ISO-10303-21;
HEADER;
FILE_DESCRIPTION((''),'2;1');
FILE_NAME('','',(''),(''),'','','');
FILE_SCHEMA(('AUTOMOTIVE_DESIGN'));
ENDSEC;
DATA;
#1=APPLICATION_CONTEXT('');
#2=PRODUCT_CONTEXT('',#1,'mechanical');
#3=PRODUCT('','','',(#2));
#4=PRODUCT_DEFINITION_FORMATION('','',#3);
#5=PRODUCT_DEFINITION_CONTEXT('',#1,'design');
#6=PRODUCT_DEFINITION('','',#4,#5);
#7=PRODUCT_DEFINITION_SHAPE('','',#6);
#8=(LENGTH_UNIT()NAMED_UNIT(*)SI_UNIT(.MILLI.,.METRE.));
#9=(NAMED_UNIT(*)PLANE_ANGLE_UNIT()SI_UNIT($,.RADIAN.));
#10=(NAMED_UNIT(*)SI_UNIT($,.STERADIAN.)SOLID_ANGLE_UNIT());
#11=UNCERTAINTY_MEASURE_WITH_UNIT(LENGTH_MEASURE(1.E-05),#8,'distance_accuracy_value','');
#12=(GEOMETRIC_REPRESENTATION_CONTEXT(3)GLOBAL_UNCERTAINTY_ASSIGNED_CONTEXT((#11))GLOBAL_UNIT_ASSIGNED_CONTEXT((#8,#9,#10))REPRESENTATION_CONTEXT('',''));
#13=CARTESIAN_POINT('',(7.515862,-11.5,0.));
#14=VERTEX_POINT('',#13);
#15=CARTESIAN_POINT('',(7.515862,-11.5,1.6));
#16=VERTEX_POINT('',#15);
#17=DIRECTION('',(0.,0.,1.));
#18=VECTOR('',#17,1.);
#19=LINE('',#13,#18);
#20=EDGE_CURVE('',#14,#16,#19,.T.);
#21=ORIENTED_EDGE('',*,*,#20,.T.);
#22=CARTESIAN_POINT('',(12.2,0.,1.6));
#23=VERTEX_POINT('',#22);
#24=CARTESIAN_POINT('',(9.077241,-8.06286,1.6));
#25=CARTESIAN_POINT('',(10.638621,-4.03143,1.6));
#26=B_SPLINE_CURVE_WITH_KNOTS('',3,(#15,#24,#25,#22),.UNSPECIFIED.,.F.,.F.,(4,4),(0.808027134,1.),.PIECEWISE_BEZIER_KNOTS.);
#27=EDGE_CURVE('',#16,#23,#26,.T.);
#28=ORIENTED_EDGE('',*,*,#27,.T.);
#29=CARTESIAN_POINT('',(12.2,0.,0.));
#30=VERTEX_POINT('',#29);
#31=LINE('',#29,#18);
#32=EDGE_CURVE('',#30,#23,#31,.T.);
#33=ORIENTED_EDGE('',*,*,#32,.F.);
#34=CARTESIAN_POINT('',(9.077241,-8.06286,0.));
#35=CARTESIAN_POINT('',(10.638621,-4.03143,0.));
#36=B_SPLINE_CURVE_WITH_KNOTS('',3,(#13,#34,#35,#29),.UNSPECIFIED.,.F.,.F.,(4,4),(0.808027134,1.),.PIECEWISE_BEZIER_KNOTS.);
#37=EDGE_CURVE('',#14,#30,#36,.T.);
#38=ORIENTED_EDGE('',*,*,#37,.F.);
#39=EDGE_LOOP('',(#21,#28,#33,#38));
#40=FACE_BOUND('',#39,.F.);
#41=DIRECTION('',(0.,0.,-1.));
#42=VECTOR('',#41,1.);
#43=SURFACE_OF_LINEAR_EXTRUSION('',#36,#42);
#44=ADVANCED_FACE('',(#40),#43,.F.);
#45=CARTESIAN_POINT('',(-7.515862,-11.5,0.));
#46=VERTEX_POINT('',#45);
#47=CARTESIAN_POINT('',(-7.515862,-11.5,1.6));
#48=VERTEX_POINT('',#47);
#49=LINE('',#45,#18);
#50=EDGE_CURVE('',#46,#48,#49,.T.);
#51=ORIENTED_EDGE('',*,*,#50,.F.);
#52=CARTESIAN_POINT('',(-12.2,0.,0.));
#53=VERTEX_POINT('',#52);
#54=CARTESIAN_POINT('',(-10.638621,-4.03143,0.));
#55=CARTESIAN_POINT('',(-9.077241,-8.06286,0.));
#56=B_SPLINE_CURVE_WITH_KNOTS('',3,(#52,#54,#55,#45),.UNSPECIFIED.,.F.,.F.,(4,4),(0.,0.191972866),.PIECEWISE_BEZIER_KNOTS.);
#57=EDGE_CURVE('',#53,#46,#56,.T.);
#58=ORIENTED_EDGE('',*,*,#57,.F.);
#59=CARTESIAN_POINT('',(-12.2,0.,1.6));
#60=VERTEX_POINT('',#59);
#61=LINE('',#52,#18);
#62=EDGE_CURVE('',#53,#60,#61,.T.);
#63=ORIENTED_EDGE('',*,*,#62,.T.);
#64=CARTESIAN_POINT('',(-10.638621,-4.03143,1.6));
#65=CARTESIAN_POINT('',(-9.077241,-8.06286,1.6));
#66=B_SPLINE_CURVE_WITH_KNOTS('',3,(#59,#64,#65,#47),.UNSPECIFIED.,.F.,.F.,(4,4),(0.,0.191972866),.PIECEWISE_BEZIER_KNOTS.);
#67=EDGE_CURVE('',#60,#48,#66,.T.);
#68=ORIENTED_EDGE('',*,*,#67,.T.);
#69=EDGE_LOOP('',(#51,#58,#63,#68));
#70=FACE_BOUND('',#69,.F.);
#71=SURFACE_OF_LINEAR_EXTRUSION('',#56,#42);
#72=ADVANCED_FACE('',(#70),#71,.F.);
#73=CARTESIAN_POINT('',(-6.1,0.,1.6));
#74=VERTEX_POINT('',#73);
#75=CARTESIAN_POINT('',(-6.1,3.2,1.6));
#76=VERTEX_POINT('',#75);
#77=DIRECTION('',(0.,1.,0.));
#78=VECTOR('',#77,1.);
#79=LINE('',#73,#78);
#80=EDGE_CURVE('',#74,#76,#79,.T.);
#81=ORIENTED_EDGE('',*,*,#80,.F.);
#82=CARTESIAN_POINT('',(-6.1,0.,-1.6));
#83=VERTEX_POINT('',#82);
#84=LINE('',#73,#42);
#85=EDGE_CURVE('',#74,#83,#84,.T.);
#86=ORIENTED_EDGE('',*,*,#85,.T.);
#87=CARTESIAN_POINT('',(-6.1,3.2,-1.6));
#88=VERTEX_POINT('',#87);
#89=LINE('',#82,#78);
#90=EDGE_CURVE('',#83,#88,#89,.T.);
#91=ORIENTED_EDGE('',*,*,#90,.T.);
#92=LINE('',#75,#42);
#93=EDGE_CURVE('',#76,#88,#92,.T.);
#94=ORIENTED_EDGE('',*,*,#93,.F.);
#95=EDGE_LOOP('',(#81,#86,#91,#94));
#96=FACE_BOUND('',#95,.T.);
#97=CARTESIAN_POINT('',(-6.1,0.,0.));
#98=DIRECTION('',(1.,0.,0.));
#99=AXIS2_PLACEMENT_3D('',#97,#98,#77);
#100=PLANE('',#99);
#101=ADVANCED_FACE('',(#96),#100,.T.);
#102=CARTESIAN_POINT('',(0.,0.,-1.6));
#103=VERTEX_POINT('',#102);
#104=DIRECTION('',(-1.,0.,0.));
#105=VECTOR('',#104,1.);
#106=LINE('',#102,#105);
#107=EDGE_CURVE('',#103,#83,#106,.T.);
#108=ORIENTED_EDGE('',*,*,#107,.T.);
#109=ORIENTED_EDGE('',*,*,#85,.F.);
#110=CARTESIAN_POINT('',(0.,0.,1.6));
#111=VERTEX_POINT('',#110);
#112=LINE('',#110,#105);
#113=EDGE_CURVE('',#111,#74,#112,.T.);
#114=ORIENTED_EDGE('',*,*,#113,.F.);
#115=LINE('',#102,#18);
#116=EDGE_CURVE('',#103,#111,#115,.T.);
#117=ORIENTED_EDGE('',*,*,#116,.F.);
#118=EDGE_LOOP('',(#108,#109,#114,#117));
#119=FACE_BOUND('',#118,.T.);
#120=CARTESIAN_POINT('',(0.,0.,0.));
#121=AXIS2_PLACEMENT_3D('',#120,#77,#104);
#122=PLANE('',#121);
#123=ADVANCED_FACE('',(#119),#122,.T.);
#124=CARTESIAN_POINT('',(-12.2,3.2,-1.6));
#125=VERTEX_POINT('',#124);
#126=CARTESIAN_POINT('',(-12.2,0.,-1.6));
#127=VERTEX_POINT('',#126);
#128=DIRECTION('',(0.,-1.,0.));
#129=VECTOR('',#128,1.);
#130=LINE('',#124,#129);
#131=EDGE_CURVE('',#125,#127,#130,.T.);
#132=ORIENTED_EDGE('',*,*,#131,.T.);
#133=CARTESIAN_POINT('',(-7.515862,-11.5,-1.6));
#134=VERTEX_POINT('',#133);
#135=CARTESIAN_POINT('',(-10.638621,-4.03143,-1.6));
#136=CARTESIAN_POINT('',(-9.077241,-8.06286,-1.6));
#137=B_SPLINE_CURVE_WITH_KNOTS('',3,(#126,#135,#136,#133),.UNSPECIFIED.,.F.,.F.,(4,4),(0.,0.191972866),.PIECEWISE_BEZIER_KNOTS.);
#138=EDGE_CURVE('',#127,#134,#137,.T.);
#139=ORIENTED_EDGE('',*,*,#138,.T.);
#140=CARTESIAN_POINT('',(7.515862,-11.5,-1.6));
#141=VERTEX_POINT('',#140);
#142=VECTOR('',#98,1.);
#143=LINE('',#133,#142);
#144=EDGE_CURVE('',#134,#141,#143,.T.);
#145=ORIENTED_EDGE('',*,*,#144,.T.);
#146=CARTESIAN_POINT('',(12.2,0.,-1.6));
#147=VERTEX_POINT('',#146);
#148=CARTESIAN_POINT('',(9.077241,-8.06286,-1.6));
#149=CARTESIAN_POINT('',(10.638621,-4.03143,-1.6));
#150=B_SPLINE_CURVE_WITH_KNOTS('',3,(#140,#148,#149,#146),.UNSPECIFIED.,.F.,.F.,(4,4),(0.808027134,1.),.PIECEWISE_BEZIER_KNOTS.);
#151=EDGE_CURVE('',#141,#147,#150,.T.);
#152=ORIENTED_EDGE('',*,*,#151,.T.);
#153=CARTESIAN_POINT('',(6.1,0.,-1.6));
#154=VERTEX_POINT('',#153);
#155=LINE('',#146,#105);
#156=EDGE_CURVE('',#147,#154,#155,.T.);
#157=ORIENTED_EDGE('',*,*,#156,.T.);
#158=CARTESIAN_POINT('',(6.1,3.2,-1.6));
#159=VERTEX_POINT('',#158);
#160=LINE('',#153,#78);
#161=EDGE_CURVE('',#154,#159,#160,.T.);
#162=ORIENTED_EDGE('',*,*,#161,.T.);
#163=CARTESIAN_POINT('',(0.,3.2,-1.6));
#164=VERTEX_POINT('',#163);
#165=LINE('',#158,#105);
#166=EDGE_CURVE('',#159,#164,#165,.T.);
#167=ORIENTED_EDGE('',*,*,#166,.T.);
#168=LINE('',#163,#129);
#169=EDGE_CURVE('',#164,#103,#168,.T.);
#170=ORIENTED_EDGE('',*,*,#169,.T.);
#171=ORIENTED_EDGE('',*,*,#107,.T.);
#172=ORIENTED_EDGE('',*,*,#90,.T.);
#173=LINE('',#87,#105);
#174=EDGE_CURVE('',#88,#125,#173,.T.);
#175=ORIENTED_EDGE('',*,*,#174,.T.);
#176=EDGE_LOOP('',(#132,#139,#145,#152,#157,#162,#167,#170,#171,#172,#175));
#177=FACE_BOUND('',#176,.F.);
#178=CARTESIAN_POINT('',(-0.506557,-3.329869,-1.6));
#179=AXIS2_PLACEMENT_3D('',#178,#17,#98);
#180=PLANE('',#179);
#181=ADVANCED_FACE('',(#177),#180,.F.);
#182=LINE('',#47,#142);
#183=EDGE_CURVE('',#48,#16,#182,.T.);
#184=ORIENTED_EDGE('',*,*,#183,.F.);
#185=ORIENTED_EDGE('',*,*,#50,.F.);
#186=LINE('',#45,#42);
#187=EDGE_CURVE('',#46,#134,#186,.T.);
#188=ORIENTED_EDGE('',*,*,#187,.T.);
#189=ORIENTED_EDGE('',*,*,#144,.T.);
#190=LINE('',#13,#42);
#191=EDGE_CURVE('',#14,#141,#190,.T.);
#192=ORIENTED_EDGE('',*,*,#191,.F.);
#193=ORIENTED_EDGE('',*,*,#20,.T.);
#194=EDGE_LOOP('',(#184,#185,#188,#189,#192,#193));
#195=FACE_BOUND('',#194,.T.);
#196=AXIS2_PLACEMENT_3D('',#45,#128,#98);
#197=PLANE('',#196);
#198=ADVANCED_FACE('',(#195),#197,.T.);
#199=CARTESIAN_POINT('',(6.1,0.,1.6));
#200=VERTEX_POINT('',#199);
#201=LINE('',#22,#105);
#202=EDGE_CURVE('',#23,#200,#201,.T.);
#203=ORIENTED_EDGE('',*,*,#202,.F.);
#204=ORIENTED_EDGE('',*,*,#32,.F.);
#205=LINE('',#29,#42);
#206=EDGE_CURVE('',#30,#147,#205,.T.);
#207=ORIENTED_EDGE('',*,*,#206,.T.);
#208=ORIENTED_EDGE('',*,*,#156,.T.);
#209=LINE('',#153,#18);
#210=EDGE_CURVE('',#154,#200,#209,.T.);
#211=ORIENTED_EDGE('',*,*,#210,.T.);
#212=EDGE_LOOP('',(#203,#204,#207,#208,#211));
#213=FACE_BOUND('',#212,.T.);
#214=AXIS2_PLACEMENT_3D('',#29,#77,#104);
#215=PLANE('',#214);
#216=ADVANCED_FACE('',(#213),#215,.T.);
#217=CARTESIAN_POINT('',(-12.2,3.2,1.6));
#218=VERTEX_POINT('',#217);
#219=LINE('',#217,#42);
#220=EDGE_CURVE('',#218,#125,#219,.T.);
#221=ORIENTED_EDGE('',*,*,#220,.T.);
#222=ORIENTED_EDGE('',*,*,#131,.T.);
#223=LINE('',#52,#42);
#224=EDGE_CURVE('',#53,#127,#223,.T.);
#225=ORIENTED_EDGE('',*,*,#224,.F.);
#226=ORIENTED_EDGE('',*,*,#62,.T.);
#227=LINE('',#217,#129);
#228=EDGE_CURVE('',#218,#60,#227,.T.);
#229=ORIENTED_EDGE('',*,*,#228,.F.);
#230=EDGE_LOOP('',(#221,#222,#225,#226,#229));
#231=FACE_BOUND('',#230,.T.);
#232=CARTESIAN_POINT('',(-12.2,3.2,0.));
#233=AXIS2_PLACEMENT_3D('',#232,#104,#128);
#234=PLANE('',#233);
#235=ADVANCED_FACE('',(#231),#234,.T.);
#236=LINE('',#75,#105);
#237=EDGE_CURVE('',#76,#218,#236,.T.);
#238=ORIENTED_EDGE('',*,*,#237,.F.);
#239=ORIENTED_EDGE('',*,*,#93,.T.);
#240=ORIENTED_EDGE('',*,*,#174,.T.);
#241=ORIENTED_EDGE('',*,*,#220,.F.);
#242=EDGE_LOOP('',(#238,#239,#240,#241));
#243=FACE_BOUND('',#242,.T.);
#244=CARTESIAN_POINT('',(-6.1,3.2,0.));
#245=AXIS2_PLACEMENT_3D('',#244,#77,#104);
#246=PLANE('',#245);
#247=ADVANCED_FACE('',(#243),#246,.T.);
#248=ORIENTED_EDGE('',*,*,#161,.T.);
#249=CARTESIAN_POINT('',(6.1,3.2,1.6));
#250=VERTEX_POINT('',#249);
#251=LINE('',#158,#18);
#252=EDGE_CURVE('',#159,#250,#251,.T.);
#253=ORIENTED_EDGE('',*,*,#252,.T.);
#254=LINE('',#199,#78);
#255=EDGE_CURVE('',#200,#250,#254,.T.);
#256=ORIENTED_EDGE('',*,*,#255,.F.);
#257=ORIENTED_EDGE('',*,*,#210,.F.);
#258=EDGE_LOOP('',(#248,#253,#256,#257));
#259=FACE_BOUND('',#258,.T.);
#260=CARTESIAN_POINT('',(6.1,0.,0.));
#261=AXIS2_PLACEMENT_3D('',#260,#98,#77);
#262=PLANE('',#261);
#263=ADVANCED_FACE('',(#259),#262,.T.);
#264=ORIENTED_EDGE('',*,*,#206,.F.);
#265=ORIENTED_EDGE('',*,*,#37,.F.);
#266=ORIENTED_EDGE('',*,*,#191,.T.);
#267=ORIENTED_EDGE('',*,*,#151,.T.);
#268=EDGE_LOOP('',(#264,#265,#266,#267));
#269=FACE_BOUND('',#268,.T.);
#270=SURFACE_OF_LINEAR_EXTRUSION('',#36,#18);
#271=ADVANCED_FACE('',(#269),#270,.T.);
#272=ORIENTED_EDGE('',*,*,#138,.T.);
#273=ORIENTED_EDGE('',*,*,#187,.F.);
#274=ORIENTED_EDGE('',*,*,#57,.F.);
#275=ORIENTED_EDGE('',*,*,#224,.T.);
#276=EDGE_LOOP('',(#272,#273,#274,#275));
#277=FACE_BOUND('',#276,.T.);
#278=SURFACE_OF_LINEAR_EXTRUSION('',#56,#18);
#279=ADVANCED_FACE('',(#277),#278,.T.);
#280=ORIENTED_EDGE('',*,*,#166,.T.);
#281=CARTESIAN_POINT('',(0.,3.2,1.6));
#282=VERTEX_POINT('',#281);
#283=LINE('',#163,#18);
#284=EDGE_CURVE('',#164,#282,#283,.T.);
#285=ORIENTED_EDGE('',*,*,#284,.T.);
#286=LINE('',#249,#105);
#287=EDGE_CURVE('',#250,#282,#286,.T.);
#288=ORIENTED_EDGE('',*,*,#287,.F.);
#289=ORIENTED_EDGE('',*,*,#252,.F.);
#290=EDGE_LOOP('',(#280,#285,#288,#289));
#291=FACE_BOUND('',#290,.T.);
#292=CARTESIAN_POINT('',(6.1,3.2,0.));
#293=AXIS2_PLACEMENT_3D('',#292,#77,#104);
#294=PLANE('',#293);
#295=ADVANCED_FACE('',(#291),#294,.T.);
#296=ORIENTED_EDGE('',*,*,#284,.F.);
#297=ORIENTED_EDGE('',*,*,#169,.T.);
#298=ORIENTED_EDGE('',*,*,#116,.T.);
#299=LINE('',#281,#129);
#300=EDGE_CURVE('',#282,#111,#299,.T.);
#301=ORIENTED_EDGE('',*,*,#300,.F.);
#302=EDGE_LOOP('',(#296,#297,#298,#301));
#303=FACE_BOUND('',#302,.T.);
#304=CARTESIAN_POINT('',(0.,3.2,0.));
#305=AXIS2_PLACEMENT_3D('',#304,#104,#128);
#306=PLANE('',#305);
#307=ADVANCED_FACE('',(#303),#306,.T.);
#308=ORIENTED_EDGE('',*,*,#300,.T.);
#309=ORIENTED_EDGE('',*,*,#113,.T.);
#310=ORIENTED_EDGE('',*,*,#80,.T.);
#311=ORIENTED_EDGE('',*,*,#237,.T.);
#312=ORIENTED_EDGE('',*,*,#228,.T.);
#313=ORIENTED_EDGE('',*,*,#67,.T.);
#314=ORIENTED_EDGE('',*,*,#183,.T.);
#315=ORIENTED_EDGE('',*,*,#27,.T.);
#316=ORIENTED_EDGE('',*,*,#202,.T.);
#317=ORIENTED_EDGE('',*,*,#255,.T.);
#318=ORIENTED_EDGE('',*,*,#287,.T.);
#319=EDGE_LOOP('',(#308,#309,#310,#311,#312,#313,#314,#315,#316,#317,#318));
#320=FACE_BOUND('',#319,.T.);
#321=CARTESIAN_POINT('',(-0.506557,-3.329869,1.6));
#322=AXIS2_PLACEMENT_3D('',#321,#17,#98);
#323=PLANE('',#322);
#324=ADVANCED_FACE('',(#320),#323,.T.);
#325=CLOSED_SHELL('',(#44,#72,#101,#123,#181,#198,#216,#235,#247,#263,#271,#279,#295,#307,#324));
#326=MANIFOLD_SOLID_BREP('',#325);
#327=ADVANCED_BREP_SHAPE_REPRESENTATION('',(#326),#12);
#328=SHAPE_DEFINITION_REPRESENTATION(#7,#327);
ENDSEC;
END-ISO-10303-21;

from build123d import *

# Parameters (mm, degrees)
F1_DEPTH = 1.6


with BuildPart() as f1:
    # F0 (on Top) → F1 (new body, symmetric)
    with BuildSketch(Plane.XY):
        with BuildLine():
            Line((-12.2, 3.2), (-12.2, 0))
            add(Edge.make_bspline(
                [(-12.2, 0), (-10.6386206895, -4.0314301868), (-9.0772413791, -8.0628603737), (-7.5158620686, -11.5)],
                knots=[0, 0, 0, 0, 0.191972866, 0.191972866, 0.191972866, 0.191972866], degree=3))
            Line((-7.5158620686, -11.5), (7.5158620686, -11.5))
            add(Edge.make_bspline(
                [(7.5158620686, -11.5), (9.0772413791, -8.0628603737), (10.6386206895, -4.0314301868), (12.2, 0)],
                knots=[0.808027134, 0.808027134, 0.808027134, 0.808027134, 1, 1, 1, 1], degree=3))
            Line((12.2, 0), (6.1, 0))
            Line((6.1, 0), (6.1, 3.2))
            Line((6.1, 3.2), (0, 3.2))
            Line((0, 3.2), (0, 0))
            Line((0, 0), (-6.1, 0))
            Line((-6.1, 0), (-6.1, 3.2))
            Line((-6.1, 3.2), (-12.2, 3.2))
        make_face()
    extrude(amount=F1_DEPTH, both=True)


solid = f1.part
